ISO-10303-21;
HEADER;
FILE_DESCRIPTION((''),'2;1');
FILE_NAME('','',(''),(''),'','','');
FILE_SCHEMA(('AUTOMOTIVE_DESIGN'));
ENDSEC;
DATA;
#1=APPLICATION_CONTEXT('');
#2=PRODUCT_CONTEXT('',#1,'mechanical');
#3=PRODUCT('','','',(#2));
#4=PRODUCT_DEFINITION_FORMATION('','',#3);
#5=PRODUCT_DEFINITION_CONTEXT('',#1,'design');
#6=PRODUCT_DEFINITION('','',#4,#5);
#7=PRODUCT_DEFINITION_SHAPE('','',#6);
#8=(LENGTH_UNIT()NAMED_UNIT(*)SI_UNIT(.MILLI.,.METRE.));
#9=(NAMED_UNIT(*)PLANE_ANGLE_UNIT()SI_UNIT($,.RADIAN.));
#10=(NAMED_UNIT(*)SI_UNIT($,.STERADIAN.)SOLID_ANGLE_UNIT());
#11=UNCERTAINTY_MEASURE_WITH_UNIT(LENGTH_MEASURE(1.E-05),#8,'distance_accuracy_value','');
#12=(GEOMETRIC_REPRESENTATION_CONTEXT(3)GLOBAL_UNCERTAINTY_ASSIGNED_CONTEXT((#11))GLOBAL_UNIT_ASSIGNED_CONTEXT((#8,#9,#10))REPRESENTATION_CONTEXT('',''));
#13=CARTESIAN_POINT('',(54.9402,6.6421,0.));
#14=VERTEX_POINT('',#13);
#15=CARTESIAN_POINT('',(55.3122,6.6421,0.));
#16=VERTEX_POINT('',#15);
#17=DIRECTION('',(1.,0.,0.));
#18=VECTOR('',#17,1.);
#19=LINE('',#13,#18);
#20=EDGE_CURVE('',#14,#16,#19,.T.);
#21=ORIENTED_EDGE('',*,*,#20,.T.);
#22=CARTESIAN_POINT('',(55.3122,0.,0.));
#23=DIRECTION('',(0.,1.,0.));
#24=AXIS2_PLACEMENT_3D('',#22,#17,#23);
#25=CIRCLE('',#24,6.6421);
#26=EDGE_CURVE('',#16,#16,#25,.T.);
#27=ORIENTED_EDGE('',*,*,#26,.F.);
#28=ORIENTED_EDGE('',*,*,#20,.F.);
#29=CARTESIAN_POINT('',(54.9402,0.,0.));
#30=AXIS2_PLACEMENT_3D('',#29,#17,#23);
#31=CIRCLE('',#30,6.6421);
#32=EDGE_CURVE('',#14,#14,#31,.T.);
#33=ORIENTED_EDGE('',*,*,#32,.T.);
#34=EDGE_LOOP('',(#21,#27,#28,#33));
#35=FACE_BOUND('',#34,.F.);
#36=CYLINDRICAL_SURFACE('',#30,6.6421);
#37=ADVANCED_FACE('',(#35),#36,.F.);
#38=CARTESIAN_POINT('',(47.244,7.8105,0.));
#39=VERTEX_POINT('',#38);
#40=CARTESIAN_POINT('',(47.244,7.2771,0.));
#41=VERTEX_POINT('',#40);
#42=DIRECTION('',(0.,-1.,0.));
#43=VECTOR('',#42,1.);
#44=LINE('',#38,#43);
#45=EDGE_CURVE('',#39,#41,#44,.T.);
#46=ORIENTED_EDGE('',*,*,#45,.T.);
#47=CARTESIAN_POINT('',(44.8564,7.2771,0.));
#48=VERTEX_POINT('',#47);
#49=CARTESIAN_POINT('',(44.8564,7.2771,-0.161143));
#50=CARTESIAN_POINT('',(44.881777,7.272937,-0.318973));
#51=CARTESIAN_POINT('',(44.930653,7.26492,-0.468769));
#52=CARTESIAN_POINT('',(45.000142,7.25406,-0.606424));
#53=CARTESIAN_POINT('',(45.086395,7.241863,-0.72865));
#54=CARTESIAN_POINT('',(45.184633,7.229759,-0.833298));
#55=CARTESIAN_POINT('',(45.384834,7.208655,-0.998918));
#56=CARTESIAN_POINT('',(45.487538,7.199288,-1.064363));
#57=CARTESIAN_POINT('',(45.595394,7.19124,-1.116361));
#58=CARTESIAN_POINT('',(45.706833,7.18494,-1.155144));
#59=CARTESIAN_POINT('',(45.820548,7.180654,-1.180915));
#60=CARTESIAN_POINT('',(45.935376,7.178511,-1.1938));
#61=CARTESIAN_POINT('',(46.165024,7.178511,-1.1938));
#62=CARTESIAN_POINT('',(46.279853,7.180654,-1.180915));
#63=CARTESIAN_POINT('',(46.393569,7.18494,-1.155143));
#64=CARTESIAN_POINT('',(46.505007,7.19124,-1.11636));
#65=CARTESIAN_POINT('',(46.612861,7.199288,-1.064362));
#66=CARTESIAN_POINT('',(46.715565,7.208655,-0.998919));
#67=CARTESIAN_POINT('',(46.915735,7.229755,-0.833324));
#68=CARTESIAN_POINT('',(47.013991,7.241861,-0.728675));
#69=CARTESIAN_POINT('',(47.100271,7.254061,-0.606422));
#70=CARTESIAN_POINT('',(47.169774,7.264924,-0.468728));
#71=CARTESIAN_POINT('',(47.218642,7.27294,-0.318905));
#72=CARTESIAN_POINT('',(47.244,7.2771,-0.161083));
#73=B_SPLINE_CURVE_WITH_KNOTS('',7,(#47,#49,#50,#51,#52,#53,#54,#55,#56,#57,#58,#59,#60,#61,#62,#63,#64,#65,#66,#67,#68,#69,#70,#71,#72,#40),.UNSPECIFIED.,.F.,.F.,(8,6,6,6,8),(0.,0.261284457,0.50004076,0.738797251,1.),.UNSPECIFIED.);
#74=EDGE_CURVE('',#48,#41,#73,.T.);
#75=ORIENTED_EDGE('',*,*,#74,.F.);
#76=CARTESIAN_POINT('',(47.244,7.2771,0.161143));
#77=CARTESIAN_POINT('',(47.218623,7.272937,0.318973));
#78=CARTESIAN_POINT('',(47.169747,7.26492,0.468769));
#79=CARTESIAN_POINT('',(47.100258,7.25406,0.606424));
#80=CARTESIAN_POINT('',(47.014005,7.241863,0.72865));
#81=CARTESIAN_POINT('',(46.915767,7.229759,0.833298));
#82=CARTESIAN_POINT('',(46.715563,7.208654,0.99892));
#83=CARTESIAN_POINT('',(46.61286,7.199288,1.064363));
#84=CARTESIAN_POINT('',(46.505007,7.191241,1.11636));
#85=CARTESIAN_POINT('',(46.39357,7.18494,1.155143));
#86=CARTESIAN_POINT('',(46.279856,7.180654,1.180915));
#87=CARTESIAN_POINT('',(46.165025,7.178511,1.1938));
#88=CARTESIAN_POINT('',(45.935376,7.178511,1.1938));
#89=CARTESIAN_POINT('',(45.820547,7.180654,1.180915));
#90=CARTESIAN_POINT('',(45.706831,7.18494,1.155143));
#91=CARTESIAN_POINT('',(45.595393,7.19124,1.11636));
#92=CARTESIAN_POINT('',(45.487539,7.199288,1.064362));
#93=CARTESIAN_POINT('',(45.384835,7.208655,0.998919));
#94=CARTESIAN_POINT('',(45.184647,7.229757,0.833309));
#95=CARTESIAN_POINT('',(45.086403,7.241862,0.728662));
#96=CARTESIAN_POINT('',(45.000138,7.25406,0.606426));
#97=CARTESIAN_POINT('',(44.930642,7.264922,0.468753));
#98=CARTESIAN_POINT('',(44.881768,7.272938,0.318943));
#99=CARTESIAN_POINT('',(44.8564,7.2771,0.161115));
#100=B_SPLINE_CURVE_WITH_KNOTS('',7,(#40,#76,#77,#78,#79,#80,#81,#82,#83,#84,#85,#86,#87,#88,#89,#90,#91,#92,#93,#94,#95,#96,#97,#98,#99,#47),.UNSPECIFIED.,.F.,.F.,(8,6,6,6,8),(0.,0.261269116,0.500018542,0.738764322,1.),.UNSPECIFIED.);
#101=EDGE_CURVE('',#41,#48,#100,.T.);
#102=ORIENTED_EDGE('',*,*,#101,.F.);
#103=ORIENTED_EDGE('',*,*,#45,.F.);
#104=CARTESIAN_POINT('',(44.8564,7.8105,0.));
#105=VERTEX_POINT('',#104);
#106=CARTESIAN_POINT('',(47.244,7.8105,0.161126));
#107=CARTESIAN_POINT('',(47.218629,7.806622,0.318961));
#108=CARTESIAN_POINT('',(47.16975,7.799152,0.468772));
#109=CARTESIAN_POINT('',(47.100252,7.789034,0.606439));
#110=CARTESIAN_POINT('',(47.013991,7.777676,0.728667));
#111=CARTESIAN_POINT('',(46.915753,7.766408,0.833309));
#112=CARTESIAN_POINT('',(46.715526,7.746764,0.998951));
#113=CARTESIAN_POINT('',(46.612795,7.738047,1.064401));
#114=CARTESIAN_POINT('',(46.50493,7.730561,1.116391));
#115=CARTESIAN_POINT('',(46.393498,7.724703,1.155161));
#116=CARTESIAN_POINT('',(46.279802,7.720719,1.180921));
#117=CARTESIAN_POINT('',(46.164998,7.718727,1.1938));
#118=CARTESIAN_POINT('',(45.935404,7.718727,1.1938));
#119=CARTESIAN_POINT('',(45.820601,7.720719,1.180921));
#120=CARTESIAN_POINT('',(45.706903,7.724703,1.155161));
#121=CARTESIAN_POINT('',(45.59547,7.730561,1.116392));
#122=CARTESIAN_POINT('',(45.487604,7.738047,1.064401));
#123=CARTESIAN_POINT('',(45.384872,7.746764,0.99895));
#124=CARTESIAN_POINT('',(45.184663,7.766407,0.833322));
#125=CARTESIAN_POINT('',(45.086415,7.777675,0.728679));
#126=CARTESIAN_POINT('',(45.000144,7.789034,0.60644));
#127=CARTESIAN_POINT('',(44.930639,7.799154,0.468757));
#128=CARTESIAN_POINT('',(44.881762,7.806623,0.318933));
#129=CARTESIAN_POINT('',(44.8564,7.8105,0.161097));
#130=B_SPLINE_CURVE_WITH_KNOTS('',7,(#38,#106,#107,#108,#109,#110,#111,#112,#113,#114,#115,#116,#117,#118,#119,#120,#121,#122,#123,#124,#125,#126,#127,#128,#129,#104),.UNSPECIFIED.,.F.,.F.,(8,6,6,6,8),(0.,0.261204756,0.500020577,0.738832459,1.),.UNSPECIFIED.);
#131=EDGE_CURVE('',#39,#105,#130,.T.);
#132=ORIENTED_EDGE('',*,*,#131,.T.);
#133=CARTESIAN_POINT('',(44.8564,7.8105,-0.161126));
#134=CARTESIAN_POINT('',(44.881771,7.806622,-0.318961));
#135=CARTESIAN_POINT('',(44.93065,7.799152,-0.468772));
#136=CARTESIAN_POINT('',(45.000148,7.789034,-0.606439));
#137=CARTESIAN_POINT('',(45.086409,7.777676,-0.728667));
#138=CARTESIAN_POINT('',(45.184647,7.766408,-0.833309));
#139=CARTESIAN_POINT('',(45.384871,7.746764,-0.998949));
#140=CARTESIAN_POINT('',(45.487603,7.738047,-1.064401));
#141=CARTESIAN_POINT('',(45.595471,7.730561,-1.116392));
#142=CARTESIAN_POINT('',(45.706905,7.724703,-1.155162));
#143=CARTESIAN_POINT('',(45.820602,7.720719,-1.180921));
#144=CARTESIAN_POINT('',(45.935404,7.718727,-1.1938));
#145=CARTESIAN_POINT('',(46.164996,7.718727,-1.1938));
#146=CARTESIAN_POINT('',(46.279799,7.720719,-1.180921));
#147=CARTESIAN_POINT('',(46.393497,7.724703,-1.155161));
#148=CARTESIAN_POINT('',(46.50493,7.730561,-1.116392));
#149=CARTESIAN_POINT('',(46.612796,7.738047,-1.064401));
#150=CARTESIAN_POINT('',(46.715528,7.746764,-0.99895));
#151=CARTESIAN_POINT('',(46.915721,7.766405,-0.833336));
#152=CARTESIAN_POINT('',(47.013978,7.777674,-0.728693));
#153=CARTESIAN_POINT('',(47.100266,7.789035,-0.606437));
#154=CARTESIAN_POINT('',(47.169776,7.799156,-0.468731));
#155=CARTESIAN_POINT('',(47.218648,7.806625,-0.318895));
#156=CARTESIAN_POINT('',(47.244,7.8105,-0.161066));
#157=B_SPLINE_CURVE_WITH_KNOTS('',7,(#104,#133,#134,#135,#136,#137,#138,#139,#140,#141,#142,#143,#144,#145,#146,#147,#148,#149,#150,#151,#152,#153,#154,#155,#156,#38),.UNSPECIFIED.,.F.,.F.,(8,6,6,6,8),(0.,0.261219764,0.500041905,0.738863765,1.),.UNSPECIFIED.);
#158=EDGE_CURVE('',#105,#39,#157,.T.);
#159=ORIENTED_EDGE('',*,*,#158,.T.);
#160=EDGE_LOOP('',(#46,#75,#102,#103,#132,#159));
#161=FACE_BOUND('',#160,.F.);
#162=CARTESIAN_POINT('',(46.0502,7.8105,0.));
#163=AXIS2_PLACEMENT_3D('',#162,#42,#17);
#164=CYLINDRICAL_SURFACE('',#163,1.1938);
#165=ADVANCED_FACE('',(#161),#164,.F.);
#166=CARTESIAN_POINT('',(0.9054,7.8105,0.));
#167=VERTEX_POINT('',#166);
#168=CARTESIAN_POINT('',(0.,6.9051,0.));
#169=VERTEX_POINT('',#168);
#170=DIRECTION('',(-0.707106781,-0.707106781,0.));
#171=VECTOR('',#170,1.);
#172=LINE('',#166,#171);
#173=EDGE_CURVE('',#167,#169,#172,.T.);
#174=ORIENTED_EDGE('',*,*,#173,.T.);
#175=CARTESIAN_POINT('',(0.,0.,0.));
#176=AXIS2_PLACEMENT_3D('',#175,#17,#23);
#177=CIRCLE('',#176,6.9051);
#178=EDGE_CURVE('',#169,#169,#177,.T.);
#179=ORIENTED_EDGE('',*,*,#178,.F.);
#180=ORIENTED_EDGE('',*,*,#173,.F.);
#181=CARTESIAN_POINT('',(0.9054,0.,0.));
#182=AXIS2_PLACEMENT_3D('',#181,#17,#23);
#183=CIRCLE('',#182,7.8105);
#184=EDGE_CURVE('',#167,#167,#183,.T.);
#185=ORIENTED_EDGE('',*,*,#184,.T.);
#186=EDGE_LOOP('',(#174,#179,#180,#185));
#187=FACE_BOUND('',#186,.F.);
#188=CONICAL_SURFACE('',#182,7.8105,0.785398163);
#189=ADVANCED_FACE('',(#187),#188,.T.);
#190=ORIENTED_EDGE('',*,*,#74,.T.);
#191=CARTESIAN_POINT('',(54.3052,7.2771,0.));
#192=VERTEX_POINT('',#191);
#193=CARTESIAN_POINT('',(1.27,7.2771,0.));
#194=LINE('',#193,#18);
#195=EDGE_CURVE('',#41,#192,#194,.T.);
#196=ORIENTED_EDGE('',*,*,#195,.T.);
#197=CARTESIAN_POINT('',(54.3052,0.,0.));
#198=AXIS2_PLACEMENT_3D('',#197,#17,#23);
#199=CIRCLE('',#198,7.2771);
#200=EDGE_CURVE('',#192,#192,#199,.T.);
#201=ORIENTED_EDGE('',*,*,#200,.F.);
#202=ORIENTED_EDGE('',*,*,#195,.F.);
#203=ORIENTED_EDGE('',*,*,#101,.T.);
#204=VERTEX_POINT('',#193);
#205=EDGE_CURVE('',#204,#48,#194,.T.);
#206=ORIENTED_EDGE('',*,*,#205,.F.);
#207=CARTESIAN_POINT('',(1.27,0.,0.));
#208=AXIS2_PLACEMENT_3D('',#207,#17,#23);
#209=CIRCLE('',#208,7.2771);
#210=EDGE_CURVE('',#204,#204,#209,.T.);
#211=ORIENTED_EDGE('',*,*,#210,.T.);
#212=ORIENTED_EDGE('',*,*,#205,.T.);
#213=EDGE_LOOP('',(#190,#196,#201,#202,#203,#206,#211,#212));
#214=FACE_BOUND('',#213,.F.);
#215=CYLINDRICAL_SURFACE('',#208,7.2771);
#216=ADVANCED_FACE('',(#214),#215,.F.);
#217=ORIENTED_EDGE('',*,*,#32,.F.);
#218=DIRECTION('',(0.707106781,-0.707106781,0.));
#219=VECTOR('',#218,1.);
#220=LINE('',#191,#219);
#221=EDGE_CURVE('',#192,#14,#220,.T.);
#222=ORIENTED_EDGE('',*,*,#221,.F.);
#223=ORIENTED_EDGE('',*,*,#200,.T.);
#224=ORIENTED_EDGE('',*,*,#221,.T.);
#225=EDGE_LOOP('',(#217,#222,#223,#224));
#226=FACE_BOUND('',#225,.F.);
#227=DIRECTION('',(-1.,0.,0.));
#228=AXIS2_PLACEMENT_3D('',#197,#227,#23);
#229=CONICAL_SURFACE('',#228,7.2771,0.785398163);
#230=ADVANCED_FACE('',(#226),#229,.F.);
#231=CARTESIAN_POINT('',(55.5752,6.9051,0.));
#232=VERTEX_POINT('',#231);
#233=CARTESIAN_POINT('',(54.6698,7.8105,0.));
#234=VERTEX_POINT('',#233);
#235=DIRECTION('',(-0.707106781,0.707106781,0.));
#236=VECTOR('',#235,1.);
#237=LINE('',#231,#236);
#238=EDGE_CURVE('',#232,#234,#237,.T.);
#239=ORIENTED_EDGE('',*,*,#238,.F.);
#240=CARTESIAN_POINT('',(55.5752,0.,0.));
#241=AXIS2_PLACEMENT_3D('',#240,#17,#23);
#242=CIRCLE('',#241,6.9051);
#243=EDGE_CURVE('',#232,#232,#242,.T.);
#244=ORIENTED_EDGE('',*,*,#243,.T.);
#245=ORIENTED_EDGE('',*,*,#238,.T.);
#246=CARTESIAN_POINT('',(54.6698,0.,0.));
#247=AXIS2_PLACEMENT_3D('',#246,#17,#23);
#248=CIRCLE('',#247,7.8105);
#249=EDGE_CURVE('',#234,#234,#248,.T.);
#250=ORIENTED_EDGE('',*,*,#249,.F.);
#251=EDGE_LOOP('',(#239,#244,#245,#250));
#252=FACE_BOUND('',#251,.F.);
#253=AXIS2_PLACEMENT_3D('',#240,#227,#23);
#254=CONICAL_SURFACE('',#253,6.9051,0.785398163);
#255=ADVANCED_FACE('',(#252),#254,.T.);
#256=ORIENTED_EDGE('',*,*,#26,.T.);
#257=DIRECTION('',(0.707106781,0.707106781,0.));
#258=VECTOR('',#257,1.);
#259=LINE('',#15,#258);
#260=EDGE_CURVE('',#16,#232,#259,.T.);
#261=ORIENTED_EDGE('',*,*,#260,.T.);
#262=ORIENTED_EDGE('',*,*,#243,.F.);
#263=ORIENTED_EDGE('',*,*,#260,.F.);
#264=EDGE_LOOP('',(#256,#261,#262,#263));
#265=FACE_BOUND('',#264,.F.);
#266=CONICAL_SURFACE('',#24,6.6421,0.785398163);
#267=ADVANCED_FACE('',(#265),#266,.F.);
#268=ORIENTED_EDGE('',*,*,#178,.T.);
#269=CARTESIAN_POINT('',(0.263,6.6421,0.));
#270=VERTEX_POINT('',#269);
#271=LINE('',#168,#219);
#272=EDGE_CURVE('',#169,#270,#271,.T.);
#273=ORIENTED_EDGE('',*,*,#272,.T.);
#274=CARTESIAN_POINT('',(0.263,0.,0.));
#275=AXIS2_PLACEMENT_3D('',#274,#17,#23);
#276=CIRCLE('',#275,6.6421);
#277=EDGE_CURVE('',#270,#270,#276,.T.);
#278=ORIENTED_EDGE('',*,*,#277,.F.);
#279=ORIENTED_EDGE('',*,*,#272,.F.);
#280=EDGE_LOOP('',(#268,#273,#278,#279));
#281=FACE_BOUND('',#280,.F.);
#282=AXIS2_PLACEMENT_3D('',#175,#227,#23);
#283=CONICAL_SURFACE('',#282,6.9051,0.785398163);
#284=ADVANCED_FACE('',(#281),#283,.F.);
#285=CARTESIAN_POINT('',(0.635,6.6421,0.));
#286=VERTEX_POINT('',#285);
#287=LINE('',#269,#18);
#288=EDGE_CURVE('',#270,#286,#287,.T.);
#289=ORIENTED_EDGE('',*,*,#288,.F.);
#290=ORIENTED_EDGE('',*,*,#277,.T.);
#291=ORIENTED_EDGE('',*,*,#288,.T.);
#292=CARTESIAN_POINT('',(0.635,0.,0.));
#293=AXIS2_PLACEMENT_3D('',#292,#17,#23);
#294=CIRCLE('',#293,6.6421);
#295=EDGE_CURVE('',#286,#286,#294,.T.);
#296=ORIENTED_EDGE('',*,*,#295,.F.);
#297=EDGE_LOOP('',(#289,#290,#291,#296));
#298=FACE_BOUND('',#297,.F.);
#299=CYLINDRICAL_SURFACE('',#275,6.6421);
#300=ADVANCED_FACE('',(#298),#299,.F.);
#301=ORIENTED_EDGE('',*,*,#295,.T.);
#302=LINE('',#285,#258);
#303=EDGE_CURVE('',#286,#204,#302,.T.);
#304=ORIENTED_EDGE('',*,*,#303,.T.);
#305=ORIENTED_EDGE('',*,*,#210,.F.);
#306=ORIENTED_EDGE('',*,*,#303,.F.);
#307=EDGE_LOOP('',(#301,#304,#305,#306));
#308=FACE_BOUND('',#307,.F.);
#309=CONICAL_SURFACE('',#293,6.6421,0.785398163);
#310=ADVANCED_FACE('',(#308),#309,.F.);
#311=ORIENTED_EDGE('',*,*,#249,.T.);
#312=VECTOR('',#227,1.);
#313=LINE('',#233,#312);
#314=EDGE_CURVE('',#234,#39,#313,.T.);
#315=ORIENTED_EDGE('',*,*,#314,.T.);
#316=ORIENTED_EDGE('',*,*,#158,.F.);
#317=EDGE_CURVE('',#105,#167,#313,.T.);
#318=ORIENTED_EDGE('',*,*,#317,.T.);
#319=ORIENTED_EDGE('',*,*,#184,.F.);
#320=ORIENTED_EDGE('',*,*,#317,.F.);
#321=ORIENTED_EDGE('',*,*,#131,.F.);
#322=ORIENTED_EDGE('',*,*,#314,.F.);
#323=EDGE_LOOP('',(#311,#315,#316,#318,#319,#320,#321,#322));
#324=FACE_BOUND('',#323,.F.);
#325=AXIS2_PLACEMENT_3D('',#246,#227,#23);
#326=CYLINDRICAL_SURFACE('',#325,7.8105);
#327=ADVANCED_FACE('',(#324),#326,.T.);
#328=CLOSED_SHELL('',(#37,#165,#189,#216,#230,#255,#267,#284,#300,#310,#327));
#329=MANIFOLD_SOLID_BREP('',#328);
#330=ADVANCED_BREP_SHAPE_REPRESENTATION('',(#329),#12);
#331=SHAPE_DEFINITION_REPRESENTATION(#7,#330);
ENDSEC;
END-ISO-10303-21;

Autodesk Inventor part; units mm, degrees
sketch "Sketch_5" plane through (0, 0, 0) normal (0, 0, 1) x (1, 0, 0)
  line L0 (55.5752, 0) -> (-55.5752, 0)
  line L1 (0, 6.9051) -> (0.263, 6.6421)
  line L2 (0.263, 6.6421) -> (0.635, 6.6421)
  line L3 (0.635, 6.6421) -> (1.27, 7.2771)
  line L4 (1.27, 7.2771) -> (54.3052, 7.2771)
  line L5 (54.3052, 7.2771) -> (54.9402, 6.6421)
  line L6 (54.9402, 6.6421) -> (55.3122, 6.6421)
  line L7 (55.3122, 6.6421) -> (55.5752, 6.9051)
  line L8 (55.5752, 6.9051) -> (54.6698, 7.8105)
  line L9 (54.6698, 7.8105) -> (0.9054, 7.8105)
  line L10 (0.9054, 7.8105) -> (0, 6.9051)
revolve "Revolution1" add sketch "Sketch_5" angle 360 about axis through (55.5752, 0, 0) along (1, 0, 0)
sketch "Sketch_1" plane through (0, 0, 0) normal (0, 0, 1) x (1, 0, 0)
  line L0 (46.0502, 0) -> (46.0502, 7.8105)
  line L1 (46.0502, 7.8105) -> (47.244, 7.8105)
  line L2 (47.244, 7.8105) -> (47.244, 0)
  line L3 (47.244, 0) -> (46.0502, 0)
  line L4 (46.0502, 0) -> (46.0502, 7.8105)
revolve "Revolution2" cut sketch "Sketch_1" angle 360 about axis through (46.0502, 0, 0) along (0, -1, 0)
ref_plane "o1_XY" through (0, -7.8105, 0) normal (1, 0, 0) x (0, 0, -1)
ref_plane "o1_YZ" through (0, -7.8105, 0) normal (0, 0, -1) x (0, 1, 0)
ref_plane "o1_ZX" through (0, -7.8105, 0) normal (0, 1, 0) x (1, 0, 0)
ref_plane "o2_XY" through (0, 7.8105, 0) normal (1, 0, 0) x (0, 0, -1)
ref_plane "o2_YZ" through (0, 7.8105, 0) normal (0, 0, -1) x (0, 1, 0)
ref_plane "o2_ZX" through (0, 7.8105, 0) normal (0, 1, 0) x (1, 0, 0)
ref_plane "t1_XY" through (27.7876, 7.8105, 0) normal (1, 0, 0) x (0, 0, -1)
ref_plane "t1_YZ" through (27.7876, 7.8105, 0) normal (0, 0, -1) x (0, 1, 0)
ref_plane "t1_ZX" through (27.7876, 7.8105, 0) normal (0, 1, 0) x (1, 0, 0)
ref_plane "t2_XY" through (27.7876, 0, -7.8105) normal (1, 0, 0) x (0, 0, -1)
ref_plane "t2_YZ" through (27.7876, 0, -7.8105) normal (0, 0, -1) x (0, 1, 0)
ref_plane "t2_ZX" through (27.7876, 0, -7.8105) normal (0, 1, 0) x (1, 0, 0)
ref_plane "t3_XY" through (27.7876, -7.8105, 0) normal (1, 0, 0) x (0, 0, -1)
ref_plane "t3_YZ" through (27.7876, -7.8105, 0) normal (0, 0, -1) x (0, 1, 0)
ref_plane "t3_ZX" through (27.7876, -7.8105, 0) normal (0, 1, 0) x (1, 0, 0)
ref_plane "t4_XY" through (27.7876, 0, 7.8105) normal (1, 0, 0) x (0, 0, -1)
ref_plane "t4_YZ" through (27.7876, 0, 7.8105) normal (0, 0, -1) x (0, 1, 0)
ref_plane "t4_ZX" through (27.7876, 0, 7.8105) normal (0, 1, 0) x (1, 0, 0)
ref_plane "tube1_XY" through (1.27, 0, 0) normal (1, 0, 0) x (0, 0, -1)
ref_plane "tube1_YZ" through (1.27, 0, 0) normal (0, 0, -1) x (0, 1, 0)
ref_plane "tube1_ZX" through (1.27, 0, 0) normal (0, 1, 0) x (1, 0, 0)
ref_plane "tube2_XY" through (54.3052, 0, 0) normal (1, 0, 0) x (0, 0, -1)
ref_plane "tube2_YZ" through (54.3052, 0, 0) normal (0, 0, -1) x (0, 1, 0)
ref_plane "tube2_ZX" through (54.3052, 0, 0) normal (0, 1, 0) x (1, 0, 0)
properties part number "D-75938XP-2.188" material "Steel"
